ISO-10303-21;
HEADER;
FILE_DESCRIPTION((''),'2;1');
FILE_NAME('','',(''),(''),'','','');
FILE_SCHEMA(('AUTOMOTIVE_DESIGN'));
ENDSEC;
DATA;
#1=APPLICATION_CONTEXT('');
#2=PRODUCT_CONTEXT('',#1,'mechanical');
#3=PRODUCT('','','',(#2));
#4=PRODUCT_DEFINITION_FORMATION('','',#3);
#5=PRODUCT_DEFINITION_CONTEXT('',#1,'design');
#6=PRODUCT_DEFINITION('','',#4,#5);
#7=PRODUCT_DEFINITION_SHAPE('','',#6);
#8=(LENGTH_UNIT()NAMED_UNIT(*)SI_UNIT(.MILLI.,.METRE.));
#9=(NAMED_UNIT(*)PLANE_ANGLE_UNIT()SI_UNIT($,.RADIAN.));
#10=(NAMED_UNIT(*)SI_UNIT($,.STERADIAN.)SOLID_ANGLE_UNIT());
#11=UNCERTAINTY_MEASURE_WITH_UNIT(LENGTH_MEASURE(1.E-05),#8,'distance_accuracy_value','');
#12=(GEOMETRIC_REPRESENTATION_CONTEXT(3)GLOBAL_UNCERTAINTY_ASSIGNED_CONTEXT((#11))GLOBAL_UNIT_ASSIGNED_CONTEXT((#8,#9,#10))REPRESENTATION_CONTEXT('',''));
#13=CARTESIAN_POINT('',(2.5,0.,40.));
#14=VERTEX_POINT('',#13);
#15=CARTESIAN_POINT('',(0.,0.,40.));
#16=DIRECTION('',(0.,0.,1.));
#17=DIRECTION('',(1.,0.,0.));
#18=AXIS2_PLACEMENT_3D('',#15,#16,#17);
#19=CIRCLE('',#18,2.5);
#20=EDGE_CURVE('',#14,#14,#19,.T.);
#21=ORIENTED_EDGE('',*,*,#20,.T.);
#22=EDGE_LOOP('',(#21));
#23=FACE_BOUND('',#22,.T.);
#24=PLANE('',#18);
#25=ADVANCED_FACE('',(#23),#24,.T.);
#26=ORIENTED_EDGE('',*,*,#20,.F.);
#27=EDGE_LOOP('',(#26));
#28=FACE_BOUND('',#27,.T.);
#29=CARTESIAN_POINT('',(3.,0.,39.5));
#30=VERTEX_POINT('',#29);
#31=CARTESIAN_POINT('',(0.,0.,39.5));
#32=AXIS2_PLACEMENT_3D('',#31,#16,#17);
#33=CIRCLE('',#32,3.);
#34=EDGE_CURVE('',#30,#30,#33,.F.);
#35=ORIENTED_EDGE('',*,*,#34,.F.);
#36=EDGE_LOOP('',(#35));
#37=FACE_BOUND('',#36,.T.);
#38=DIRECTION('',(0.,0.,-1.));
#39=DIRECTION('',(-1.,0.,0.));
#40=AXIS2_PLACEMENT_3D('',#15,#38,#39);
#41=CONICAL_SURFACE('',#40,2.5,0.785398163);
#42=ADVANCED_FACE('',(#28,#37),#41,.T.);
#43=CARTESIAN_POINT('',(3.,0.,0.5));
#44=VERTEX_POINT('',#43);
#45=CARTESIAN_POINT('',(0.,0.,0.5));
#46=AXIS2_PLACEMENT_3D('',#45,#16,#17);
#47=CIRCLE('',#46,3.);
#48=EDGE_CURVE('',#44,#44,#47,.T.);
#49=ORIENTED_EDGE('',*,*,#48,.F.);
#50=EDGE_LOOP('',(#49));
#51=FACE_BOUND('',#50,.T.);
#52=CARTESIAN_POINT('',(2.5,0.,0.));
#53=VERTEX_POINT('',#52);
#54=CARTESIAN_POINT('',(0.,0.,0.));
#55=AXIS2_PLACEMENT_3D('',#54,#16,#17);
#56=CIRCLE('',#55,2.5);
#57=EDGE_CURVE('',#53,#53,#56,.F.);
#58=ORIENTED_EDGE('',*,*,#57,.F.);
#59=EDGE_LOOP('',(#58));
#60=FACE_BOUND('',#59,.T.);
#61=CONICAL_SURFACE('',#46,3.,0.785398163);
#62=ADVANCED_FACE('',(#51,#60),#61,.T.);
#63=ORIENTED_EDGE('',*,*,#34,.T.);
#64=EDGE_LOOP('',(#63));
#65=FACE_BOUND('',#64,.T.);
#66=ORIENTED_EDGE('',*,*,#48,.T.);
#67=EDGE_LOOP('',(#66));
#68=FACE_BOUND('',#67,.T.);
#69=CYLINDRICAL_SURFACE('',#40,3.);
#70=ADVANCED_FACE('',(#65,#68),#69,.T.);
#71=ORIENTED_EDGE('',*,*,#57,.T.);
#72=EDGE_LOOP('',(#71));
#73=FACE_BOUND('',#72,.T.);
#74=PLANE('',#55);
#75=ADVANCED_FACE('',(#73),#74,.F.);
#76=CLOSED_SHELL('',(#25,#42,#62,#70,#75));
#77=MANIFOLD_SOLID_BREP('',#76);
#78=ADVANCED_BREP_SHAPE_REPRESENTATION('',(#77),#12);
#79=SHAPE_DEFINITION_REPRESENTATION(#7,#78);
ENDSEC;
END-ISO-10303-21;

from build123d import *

# Parameters (mm, degrees)
SKETCH1_R           = 3
BOSS_EXTRUDE1_DEPTH = 40
CHAMFER1_SIZE       = 0.5


with BuildPart() as part:
    # Sketch1 → Boss-Extrude1 (new body)
    with BuildSketch(Plane.XY):
        Circle(SKETCH1_R)
    extrude(amount=BOSS_EXTRUDE1_DEPTH)

    # Chamfer1
    chamfer1_edges = [part.edges().sort_by_distance(p)[0] for p in [
        (-3, 0, 0),
        (-3, 0, 40),
    ]]
    chamfer(chamfer1_edges, length=CHAMFER1_SIZE)


solid = part.part
